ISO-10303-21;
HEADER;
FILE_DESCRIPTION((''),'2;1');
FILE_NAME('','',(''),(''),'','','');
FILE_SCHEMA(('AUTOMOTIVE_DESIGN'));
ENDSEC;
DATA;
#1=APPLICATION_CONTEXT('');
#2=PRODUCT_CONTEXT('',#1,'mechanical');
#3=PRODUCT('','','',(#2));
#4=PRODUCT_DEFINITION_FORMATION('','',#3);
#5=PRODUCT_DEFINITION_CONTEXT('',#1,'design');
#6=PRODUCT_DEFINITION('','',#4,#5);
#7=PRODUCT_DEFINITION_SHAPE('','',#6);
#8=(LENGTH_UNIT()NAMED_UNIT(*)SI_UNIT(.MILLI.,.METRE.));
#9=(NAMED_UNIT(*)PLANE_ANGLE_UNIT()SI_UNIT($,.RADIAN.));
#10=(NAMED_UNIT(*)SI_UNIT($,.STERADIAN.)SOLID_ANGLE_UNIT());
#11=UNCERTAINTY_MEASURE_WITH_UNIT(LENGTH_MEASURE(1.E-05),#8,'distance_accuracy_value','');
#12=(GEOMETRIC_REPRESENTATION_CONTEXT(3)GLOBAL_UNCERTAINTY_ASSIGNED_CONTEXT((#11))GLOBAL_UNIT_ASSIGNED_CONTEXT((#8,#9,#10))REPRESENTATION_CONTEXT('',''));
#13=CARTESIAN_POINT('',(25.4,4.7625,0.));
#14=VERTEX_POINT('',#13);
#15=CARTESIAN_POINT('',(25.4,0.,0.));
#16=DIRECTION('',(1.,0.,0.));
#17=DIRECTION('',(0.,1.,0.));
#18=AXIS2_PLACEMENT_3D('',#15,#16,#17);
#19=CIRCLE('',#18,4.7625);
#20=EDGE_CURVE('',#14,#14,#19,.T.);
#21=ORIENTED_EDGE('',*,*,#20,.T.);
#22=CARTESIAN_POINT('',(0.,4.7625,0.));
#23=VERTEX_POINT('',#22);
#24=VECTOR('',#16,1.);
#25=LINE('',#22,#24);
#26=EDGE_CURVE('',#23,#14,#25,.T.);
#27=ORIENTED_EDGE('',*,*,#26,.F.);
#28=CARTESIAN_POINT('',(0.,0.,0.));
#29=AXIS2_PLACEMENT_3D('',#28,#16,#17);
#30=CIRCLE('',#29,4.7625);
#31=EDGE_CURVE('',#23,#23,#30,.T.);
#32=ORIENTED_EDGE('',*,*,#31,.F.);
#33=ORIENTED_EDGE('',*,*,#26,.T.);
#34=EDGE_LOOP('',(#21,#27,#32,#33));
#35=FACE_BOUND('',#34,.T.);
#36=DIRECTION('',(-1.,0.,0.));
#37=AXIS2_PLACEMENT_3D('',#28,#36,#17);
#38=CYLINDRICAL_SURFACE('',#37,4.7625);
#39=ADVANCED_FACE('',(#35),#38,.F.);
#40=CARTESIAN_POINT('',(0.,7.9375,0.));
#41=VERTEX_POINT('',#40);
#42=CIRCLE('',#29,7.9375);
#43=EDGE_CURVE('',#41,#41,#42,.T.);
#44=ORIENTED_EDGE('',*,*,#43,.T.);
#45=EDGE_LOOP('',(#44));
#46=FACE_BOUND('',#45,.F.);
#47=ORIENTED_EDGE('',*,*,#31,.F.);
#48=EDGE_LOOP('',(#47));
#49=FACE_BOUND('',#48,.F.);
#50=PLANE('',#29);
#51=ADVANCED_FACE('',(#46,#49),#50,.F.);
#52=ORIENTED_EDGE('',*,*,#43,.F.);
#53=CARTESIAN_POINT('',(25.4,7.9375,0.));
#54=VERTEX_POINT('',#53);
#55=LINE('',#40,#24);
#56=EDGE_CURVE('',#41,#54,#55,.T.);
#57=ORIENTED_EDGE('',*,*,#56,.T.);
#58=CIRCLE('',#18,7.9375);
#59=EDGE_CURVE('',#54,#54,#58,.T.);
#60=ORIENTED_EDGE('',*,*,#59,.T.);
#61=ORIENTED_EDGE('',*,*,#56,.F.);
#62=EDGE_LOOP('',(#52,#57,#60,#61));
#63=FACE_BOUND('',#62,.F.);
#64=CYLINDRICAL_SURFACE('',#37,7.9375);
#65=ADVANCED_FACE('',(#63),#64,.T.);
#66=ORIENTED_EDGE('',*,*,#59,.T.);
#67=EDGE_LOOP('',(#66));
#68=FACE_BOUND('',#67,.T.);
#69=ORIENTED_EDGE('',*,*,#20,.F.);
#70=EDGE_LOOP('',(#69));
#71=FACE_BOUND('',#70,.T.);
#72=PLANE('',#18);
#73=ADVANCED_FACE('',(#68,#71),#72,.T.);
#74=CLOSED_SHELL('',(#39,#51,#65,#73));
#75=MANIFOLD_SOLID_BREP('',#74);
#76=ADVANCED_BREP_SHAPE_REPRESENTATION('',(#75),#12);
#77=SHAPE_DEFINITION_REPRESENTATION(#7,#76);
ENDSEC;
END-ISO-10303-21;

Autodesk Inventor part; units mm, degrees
ref_plane "YZ Plane" through (0, 0, 0) normal (1, 0, 0) x (0, 1, 0)
ref_plane "XZ Plane" through (0, 0, 0) normal (0, 1, 0) x (-1, 0, 0)
ref_plane "XY Plane" through (0, 0, 0) normal (0, 0, 1) x (1, 0, 0)
sketch "Sketch1" plane through (0, 0, 0) normal (1, 0, 0) x (0, 1, 0)
  circle A0 centre (0, 0) radius 4.7625
  circle A1 centre (0, 0) radius 7.9375
  dimension "d0" = 9.525
  dimension "d3" = 15.875
extrude "Extrusion1" add sketch "Sketch1" along normal blind 25.4
properties part number "Spacer" material "ABS Plastic"
